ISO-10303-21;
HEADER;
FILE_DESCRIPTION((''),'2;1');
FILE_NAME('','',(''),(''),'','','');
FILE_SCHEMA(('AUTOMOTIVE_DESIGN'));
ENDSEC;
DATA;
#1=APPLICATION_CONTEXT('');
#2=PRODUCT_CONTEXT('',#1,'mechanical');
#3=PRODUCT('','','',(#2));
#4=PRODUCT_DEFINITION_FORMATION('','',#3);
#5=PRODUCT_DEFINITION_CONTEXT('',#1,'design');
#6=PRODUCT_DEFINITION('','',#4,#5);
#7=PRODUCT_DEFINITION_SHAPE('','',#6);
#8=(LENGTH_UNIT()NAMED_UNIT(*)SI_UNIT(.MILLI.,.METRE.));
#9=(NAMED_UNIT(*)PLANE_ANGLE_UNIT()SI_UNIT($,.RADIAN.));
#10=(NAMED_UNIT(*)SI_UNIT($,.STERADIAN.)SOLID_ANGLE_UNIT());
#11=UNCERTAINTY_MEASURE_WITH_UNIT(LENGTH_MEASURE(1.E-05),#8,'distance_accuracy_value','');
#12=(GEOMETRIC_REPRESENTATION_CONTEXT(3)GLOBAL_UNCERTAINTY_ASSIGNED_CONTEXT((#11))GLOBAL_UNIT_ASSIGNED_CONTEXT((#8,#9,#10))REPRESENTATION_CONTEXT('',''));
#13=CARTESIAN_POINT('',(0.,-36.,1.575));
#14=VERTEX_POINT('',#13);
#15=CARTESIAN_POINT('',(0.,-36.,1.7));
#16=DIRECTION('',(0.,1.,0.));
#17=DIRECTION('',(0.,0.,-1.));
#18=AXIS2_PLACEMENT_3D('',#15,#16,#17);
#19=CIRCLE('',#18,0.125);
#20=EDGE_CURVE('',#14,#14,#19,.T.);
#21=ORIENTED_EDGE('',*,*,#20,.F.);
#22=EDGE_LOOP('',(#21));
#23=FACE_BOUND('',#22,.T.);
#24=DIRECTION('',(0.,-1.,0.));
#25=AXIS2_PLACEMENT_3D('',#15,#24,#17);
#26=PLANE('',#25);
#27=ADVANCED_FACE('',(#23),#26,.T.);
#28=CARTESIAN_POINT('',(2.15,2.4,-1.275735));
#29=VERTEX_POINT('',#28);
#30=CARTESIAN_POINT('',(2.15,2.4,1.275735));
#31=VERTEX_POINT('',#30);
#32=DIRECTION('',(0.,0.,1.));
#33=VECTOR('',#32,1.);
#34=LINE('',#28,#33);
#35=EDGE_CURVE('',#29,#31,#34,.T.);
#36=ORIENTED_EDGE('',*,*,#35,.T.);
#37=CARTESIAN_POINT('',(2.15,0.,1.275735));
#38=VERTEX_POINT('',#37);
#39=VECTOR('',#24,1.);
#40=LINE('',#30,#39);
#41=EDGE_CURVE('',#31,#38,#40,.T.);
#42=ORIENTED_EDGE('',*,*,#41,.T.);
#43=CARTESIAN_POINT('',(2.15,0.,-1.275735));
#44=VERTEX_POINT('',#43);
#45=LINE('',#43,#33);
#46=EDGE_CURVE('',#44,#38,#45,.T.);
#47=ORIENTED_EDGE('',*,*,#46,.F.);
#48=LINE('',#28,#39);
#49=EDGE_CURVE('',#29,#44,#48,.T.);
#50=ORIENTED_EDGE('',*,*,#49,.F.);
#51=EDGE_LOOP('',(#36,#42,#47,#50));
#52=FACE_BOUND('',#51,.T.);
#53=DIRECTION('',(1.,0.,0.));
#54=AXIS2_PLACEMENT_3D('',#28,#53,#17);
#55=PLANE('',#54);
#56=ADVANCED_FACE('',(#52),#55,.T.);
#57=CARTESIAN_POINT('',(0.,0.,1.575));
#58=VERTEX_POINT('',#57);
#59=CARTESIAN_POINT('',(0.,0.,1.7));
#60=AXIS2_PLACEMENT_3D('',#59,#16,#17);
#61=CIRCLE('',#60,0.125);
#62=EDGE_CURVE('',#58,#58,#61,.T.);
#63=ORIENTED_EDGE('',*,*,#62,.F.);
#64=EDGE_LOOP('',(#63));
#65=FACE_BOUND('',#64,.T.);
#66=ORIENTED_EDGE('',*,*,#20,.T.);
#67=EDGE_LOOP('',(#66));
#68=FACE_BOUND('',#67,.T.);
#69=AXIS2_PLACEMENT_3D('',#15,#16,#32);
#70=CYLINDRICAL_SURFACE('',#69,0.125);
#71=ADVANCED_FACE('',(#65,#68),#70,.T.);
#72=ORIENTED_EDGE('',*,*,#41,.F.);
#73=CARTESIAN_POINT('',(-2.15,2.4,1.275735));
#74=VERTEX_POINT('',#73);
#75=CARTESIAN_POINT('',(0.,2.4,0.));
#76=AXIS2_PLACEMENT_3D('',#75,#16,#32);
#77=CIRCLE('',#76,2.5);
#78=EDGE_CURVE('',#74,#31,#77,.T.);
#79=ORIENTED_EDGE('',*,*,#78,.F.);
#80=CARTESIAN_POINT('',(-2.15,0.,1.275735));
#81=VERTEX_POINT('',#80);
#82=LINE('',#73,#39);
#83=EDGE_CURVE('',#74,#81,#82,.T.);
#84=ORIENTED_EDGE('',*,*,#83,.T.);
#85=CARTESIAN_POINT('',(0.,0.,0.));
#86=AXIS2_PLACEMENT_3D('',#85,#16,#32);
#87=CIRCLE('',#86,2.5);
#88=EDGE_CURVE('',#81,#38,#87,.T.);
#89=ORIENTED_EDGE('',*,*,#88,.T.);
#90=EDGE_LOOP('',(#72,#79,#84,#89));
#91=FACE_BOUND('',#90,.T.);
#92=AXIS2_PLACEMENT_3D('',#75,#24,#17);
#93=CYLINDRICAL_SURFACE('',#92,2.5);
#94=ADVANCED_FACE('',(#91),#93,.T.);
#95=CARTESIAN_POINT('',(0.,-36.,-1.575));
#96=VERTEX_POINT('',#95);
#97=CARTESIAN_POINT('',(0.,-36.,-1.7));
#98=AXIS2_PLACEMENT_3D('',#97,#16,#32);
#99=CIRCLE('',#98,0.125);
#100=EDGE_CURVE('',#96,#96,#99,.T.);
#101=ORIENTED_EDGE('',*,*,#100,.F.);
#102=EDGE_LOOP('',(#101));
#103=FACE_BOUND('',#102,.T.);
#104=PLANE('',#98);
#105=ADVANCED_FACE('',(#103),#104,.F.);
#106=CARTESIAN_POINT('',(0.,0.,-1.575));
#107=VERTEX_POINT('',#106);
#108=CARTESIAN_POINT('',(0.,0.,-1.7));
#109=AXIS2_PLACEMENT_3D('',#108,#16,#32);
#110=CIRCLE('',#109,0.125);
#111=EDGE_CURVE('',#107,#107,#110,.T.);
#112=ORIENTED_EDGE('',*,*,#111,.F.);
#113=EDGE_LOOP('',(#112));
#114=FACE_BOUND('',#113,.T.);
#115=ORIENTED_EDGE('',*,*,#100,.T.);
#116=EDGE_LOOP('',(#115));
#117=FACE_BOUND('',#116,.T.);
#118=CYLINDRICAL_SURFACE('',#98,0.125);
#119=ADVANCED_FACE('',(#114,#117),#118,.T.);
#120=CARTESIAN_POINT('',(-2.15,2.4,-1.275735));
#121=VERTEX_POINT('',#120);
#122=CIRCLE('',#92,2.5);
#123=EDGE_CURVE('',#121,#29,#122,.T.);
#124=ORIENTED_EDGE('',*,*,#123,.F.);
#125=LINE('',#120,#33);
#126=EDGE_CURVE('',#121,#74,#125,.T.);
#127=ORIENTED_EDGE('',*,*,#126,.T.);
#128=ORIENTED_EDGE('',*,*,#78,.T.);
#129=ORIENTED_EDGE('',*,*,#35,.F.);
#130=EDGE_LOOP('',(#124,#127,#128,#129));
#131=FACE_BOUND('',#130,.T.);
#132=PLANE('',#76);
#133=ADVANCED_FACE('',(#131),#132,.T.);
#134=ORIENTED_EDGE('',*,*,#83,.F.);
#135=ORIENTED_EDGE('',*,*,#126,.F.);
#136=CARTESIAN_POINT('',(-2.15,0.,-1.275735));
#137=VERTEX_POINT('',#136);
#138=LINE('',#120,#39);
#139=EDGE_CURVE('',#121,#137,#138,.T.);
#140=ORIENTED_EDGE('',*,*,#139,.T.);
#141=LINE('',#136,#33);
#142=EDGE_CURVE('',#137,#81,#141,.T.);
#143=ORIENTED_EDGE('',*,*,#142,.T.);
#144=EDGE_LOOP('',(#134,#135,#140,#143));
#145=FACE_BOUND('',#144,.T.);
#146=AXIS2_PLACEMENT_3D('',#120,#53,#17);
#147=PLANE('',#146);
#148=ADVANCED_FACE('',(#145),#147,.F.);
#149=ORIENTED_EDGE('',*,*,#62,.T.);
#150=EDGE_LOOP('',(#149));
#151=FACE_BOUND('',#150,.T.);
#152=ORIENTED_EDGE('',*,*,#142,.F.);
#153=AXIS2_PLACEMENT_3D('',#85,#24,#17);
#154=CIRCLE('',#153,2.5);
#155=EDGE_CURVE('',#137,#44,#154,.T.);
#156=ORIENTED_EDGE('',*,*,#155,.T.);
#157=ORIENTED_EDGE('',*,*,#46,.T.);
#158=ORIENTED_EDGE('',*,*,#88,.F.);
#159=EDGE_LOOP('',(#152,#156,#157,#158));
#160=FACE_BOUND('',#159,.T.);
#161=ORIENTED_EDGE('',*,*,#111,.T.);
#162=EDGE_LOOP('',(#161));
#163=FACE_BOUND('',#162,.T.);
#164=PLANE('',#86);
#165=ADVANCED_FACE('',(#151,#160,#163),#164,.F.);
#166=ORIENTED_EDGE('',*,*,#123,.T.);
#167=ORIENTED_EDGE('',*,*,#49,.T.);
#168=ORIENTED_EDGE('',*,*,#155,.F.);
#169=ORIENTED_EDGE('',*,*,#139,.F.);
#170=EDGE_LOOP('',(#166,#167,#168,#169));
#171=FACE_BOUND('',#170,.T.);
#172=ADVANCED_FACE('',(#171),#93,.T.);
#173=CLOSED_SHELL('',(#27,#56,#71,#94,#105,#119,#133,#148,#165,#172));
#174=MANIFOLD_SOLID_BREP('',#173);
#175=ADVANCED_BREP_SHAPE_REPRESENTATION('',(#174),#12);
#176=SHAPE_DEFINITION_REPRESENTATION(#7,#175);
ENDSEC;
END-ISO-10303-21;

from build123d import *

# Parameters (mm, degrees)
BOSS_EXTRUDE1_DEPTH = 2.4
SKETCH2_R           = 0.125
BOSS_EXTRUDE2_DEPTH = 36


with BuildPart() as part:
    # Sketch1 → Boss-Extrude1 (new body)
    with BuildSketch(Plane(origin=(0, 0, 0), x_dir=(1, 0, 0), z_dir=(0, 1, 0))):
        with BuildLine():
            Line((-2.15, 1.275735082), (-2.15, -1.275735082))
            ThreePointArc((-2.15, -1.275735082), (0, -2.5), (2.15, -1.275735082))
            Line((2.15, -1.275735082), (2.15, 1.275735082))
            ThreePointArc((2.15, 1.275735082), (0, 2.5), (-2.15, 1.275735082))
        make_face()
    extrude(amount=BOSS_EXTRUDE1_DEPTH)

    # Sketch2 → Boss-Extrude2 (add)
    with BuildSketch(Plane(origin=(0, 0, 0), x_dir=(1, 0, 0), z_dir=(0, 1, 0))):
        with Locations((0, 1.7)):
            Circle(SKETCH2_R)
        with Locations((0, -1.7)):
            Circle(SKETCH2_R)
    extrude(amount=-BOSS_EXTRUDE2_DEPTH)


solid = part.part
